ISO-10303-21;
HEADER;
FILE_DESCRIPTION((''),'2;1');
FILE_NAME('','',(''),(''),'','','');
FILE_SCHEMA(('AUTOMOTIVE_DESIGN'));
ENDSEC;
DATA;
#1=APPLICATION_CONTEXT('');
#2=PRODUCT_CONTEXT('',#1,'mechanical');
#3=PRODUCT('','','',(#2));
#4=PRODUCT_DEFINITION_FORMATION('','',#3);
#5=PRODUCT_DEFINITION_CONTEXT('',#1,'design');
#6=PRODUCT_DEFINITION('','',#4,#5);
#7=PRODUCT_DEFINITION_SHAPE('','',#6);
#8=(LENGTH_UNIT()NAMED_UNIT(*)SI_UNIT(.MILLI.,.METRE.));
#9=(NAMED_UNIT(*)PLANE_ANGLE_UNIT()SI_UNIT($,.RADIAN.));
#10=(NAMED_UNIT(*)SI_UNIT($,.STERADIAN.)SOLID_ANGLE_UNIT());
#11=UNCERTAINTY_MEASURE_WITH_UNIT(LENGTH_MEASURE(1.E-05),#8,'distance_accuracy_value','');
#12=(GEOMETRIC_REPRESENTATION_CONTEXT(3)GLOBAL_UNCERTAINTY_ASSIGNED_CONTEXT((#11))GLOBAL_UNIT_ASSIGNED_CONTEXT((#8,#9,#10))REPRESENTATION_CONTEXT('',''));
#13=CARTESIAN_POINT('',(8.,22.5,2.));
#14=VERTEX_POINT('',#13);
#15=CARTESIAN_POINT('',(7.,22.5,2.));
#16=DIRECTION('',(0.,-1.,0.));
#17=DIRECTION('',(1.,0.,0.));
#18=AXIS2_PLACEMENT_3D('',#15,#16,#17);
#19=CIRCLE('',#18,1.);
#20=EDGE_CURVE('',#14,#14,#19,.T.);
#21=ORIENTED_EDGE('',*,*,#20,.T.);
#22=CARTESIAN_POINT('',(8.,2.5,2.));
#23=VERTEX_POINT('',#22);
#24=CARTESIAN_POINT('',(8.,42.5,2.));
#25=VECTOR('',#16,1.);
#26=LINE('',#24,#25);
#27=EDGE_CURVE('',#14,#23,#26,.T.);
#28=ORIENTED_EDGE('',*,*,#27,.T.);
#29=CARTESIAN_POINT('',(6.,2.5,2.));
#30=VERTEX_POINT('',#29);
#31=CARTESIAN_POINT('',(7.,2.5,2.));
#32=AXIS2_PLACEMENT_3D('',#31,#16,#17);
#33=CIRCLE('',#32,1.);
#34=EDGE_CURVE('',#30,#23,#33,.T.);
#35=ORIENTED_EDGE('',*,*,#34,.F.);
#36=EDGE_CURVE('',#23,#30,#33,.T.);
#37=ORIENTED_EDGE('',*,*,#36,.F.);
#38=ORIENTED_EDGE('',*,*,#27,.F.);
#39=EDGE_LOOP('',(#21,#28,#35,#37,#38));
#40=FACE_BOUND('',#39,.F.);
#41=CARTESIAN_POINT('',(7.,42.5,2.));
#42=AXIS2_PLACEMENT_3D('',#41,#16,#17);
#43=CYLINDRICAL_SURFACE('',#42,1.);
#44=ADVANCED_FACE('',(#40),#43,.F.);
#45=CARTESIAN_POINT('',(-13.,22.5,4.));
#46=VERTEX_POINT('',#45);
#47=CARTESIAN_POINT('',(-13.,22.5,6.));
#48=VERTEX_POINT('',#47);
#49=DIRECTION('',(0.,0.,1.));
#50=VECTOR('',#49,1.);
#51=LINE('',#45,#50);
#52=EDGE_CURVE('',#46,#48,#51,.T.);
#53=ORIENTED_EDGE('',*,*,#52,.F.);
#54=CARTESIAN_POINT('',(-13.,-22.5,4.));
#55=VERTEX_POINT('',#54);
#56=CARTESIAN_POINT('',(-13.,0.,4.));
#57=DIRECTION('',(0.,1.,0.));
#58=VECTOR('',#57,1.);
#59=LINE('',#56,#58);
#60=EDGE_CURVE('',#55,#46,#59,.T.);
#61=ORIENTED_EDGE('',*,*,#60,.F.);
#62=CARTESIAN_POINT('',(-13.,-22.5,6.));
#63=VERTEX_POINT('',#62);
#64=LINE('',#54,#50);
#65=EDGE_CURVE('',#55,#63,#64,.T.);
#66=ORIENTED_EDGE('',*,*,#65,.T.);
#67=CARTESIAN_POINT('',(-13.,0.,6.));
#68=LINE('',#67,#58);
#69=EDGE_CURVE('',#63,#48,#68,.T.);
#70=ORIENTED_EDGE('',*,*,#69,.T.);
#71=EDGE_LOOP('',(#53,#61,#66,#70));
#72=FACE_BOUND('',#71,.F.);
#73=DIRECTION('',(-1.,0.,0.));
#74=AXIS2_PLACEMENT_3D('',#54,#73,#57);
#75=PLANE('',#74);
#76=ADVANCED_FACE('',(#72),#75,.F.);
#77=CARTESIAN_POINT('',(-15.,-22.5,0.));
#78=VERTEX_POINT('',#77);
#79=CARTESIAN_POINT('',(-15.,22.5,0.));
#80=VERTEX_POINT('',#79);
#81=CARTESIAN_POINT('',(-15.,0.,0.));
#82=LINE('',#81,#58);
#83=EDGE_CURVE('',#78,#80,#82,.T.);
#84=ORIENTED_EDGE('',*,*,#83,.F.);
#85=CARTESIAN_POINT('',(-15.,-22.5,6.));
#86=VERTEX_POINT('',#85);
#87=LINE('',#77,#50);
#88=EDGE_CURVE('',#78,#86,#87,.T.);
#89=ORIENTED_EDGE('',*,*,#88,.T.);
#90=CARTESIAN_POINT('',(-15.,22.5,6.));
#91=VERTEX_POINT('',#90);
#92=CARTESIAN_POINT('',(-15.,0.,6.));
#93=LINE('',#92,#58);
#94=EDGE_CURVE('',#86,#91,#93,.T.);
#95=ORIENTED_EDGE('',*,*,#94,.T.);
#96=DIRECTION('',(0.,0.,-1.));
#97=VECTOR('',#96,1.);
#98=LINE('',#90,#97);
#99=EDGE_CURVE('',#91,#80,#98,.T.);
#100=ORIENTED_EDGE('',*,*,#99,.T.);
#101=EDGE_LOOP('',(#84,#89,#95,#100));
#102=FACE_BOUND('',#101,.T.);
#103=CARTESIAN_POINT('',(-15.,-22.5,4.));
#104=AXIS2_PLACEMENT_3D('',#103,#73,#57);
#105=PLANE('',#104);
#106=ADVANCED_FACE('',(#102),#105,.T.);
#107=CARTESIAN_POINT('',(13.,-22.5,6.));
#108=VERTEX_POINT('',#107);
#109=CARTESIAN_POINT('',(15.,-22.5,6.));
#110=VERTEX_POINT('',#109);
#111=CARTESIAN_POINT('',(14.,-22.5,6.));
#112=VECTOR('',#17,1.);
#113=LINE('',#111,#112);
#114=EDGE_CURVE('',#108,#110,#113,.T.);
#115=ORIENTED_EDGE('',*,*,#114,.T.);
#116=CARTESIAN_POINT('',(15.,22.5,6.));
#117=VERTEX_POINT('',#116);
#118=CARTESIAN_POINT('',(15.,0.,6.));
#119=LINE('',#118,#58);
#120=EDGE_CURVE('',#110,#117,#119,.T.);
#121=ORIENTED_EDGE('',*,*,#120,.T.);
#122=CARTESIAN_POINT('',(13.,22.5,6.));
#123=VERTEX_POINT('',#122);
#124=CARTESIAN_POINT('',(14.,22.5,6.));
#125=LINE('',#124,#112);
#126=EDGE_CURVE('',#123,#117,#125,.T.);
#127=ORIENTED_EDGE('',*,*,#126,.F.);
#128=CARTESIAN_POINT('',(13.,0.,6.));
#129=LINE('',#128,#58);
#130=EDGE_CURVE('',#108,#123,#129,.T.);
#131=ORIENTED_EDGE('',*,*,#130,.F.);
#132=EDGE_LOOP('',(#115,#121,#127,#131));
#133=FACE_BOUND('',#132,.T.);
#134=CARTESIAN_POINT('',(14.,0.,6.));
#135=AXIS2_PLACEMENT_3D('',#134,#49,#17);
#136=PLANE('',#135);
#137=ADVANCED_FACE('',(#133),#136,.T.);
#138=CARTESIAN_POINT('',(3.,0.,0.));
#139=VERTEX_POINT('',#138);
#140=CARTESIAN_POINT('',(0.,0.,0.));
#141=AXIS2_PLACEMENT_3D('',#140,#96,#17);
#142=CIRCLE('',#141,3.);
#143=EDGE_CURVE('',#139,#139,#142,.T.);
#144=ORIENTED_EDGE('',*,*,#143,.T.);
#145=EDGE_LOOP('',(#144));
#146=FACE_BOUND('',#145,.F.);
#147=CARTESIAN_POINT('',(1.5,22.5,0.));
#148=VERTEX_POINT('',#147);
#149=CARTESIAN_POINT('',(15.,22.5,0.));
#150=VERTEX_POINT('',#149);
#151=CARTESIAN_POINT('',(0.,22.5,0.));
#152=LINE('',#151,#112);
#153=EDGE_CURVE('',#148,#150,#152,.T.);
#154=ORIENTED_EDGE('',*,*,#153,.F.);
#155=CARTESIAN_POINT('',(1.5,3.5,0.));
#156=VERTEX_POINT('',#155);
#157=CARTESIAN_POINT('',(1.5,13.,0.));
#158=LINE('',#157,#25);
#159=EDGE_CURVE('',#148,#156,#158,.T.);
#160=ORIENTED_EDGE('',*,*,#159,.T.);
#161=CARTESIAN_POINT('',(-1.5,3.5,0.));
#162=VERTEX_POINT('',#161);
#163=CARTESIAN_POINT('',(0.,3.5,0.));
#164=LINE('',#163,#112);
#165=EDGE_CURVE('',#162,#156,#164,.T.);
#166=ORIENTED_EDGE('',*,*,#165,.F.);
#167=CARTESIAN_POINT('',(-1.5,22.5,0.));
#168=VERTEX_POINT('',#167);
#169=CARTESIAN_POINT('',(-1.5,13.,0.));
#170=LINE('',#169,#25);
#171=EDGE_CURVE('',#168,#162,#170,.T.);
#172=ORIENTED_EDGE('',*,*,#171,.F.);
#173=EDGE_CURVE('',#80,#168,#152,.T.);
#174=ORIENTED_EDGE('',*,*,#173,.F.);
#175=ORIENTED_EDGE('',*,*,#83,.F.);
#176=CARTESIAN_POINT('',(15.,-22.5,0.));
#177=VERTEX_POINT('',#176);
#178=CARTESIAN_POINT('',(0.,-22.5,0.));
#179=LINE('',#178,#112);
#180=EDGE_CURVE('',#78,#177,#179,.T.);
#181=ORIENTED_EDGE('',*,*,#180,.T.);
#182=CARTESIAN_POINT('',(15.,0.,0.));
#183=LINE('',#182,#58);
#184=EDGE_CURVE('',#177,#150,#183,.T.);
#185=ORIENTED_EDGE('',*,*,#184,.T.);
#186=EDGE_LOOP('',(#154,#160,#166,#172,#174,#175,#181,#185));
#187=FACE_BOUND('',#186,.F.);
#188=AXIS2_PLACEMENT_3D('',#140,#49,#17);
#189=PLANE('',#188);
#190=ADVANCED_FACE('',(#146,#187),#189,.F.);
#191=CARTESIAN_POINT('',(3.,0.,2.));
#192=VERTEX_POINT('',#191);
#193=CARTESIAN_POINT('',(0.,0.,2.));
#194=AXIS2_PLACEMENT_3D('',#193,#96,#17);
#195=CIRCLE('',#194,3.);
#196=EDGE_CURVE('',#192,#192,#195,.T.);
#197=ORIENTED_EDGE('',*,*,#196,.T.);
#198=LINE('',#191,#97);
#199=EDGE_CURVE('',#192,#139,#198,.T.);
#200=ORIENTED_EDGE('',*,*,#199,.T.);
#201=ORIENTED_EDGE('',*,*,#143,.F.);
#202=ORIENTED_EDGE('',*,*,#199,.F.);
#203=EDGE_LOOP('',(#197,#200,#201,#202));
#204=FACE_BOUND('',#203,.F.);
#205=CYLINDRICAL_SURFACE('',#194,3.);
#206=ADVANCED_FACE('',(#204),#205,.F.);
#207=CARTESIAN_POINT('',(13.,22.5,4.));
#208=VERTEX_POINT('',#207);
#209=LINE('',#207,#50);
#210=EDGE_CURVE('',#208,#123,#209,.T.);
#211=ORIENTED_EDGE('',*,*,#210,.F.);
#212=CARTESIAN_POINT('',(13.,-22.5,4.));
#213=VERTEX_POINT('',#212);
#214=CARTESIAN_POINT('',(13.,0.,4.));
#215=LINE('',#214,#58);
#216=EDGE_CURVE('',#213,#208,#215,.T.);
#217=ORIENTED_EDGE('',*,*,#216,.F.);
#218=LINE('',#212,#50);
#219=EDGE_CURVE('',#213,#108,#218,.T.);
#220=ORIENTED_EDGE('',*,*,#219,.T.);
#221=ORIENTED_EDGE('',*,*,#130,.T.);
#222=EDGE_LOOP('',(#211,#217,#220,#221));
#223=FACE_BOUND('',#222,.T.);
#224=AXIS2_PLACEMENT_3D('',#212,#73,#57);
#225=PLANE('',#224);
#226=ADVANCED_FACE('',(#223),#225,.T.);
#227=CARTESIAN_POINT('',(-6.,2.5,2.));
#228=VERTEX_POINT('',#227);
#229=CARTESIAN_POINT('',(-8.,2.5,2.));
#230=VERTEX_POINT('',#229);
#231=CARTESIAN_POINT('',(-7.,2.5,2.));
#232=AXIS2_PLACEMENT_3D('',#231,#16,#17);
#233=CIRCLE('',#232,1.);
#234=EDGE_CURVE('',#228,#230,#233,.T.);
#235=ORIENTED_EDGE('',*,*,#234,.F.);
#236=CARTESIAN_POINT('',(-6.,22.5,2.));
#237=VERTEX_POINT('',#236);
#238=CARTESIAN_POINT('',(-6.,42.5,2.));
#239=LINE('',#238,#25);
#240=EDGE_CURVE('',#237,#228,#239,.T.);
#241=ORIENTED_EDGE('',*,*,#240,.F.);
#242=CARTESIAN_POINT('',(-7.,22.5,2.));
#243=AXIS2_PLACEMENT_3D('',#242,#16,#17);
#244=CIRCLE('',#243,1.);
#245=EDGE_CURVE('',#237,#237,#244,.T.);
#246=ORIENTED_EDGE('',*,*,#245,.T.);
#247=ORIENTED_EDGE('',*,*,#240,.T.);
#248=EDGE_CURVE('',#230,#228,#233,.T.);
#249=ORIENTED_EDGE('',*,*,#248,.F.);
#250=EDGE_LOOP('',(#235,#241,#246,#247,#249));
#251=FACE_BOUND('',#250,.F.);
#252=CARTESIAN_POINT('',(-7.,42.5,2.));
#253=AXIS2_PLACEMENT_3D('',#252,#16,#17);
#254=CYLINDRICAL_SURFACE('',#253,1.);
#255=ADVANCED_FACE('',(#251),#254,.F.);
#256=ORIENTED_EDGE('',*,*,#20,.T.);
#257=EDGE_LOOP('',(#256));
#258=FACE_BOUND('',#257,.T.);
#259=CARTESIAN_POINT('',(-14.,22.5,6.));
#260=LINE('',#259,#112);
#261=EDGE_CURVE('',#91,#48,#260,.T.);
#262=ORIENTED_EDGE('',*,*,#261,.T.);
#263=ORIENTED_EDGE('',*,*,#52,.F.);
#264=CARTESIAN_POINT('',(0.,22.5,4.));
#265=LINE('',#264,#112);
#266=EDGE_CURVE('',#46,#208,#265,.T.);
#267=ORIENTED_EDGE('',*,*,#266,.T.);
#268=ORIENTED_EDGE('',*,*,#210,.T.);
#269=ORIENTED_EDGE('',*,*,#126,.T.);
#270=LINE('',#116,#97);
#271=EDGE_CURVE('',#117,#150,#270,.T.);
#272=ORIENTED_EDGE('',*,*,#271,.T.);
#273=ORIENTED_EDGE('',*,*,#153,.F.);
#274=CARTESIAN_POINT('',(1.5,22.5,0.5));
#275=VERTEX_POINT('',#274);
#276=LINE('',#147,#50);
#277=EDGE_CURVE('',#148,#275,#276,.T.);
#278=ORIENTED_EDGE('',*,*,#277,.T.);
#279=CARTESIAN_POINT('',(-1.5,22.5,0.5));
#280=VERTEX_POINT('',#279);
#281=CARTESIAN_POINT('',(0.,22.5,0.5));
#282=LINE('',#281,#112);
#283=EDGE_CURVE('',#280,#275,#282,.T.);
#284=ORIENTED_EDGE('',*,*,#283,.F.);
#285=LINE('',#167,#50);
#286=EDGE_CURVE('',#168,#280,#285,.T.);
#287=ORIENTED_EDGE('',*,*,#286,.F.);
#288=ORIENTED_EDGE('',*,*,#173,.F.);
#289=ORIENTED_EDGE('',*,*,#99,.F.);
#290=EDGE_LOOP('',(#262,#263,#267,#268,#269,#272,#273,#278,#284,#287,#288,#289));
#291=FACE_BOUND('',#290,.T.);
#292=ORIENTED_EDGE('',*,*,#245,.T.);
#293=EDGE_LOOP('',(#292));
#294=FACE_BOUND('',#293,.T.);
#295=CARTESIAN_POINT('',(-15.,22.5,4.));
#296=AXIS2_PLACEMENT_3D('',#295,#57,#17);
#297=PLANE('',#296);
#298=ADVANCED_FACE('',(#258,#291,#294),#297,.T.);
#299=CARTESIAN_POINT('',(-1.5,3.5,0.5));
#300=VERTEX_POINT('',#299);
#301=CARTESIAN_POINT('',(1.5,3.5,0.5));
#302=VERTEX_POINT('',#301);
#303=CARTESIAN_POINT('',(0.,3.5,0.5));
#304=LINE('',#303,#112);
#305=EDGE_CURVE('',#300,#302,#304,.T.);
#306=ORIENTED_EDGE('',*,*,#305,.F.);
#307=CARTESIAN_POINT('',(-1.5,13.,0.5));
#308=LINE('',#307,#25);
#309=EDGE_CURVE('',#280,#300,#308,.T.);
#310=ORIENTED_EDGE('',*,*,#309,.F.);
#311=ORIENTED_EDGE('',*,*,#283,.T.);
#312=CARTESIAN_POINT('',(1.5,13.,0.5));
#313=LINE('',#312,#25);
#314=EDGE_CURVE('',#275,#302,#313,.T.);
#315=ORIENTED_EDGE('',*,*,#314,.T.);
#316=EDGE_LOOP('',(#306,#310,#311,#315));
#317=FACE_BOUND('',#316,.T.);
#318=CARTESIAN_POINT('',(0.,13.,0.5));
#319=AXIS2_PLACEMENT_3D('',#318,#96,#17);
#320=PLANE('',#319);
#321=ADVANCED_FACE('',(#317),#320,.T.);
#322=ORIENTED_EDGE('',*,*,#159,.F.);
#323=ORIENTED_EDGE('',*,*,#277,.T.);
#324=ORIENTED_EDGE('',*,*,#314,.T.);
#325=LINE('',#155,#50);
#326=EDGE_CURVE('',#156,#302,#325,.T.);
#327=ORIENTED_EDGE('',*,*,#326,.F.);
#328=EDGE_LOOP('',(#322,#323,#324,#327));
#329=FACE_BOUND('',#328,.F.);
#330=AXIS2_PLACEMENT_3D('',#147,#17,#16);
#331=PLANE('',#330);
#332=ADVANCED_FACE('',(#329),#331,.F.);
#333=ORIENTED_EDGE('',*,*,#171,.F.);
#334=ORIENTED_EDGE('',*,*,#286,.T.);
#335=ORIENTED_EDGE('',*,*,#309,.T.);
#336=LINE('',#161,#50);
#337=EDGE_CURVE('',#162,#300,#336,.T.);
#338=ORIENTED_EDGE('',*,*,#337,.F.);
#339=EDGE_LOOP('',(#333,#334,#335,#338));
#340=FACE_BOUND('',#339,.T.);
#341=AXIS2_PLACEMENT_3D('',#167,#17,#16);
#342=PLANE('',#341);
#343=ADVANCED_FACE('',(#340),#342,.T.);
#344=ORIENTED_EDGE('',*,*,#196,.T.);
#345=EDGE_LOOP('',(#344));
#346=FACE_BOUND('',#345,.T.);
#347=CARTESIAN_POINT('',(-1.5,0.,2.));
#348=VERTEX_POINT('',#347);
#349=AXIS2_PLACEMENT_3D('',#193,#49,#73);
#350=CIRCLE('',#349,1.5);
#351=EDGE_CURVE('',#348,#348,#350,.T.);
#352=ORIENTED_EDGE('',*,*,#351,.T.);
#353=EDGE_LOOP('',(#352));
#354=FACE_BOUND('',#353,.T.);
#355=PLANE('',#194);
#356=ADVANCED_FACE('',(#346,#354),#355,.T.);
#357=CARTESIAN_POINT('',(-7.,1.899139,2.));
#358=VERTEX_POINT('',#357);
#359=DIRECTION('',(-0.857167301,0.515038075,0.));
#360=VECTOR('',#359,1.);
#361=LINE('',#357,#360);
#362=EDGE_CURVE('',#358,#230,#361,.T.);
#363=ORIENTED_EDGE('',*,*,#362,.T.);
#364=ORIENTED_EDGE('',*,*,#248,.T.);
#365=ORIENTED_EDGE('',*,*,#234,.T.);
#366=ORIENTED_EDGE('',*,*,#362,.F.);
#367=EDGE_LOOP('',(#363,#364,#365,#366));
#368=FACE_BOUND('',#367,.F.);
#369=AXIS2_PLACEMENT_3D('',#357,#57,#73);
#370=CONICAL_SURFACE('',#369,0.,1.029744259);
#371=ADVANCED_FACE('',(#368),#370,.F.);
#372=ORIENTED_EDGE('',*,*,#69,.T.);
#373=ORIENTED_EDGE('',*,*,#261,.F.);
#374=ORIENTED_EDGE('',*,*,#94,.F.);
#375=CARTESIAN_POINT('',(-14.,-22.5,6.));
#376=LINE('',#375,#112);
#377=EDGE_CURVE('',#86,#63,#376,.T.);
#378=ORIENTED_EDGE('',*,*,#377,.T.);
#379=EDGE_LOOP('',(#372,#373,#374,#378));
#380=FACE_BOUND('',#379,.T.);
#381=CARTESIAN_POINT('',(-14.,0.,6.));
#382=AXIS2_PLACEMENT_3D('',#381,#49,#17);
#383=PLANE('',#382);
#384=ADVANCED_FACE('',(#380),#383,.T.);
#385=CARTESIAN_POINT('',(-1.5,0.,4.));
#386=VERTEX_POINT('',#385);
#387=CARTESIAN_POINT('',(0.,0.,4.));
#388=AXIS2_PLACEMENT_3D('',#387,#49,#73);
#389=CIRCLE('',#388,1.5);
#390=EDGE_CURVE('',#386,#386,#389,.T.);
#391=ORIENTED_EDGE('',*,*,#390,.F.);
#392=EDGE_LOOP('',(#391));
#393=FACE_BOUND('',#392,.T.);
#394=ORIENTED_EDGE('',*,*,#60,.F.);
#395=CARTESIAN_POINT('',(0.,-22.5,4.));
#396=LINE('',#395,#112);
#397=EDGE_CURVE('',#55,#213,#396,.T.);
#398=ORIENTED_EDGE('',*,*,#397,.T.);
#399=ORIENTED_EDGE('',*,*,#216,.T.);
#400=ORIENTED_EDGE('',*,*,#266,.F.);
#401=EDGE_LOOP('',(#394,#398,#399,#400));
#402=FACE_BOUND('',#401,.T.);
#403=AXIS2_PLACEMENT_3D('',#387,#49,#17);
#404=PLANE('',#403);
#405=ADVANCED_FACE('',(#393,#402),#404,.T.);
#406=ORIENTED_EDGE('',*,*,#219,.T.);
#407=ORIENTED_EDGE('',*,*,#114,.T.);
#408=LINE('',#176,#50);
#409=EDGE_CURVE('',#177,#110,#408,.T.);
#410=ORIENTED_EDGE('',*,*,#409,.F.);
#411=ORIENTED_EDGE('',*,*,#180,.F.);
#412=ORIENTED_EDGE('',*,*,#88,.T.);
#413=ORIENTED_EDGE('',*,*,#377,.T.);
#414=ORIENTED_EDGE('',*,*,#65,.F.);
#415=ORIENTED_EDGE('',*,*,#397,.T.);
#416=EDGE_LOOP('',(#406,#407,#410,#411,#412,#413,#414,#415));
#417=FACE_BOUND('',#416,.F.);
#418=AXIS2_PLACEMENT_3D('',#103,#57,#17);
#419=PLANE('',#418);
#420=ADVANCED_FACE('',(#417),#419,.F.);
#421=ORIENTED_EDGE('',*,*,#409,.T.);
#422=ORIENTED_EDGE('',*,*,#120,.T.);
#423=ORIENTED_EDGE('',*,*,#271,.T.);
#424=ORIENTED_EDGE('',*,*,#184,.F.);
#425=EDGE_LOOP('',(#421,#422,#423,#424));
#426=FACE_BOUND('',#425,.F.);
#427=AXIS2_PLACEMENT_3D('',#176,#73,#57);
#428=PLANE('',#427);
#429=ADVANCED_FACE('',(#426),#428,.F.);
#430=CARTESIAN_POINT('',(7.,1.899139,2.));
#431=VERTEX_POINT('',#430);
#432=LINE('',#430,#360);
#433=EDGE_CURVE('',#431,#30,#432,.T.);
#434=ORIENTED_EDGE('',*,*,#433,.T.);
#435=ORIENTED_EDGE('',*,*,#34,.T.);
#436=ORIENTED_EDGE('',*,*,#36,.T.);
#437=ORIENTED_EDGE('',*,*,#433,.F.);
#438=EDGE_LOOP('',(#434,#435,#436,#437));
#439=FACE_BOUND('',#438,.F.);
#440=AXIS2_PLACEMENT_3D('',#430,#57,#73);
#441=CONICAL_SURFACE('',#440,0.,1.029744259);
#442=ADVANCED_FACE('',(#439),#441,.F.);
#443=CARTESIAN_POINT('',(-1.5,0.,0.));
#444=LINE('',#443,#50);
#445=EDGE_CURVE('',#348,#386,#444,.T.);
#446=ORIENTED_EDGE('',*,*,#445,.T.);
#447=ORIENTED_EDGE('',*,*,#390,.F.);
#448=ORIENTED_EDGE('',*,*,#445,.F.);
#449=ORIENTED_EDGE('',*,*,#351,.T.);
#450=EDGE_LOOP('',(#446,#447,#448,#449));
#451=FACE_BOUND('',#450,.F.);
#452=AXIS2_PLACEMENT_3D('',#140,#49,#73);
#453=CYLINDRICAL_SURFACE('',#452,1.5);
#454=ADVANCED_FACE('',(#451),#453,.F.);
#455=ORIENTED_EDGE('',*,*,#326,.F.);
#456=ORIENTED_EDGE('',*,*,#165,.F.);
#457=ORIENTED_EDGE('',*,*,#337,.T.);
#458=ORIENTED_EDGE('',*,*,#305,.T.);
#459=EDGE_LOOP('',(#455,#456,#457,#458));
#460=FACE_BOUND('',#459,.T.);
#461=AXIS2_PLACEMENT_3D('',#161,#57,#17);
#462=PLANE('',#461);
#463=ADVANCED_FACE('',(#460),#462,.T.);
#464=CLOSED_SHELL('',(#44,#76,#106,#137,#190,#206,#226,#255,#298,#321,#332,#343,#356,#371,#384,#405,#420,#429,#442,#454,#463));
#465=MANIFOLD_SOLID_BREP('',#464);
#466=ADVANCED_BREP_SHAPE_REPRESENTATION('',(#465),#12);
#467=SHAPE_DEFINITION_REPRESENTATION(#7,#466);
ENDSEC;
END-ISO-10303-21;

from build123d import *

# Parameters (mm, degrees)
F0_W           = 30
F0_H           = 45
F1_DEPTH       = 4
F3_D           = 2
F3_DEPTH       = 20
F3_TIP         = 0.600860619
F4_W           = 2
F4_H           = 45
F5_DEPTH       = 2
F6_W           = 3
F6_H           = 19
F7_DEPTH       = 0.5
F8_D           = 3
F8_DEPTH       = 6
F8_CBORE_D     = 6
F8_CBORE_DEPTH = 2
F8_TIP         = 0.9012909285


with BuildPart() as f1:
    # F0 (on Top) → F1 (new body)
    with BuildSketch(Plane.XY):
        Rectangle(F0_W, F0_H)
    extrude(amount=F1_DEPTH)

    # F3
    with Locations(Plane(origin=(0, 22.5, 0), x_dir=(-1, 0, 0), z_dir=(0, 1, 0))):
        with Locations((-7, 2), (7, 2)):
            Hole(F3_D / 2, depth=F3_DEPTH)
            with Locations((0, 0, -(F3_DEPTH + F3_TIP / 2))):  # 118° drill point
                Cone(0, F3_D / 2, F3_TIP, mode=Mode.SUBTRACT)

    # F4 (on face) → F5 (join)
    with BuildSketch(Plane.XY.offset(4)):
        with Locations((-14, 0)):
            Rectangle(F4_W, F4_H)
        with Locations((14, 0)):
            Rectangle(F4_W, F4_H)
    extrude(amount=F5_DEPTH)

    # F6 (on face) → F7 (cut)
    with BuildSketch(Plane(origin=(0, 0, 0), x_dir=(1, 0, 0), z_dir=(0, 0, -1))):
        with Locations((0, -13)):
            Rectangle(F6_W, F6_H)
    extrude(amount=-F7_DEPTH, mode=Mode.SUBTRACT)

    # F8
    with Locations(Plane(origin=(0, 0, 0), x_dir=(1, 0, 0), z_dir=(0, 0, -1))):
        with Locations((0, 0)):
            CounterBoreHole(F8_D / 2, F8_CBORE_D / 2, F8_CBORE_DEPTH, depth=F8_DEPTH)
            with Locations((0, 0, -(F8_DEPTH + F8_TIP / 2))):  # 118° drill point
                Cone(0, F8_D / 2, F8_TIP, mode=Mode.SUBTRACT)


solid = f1.part
